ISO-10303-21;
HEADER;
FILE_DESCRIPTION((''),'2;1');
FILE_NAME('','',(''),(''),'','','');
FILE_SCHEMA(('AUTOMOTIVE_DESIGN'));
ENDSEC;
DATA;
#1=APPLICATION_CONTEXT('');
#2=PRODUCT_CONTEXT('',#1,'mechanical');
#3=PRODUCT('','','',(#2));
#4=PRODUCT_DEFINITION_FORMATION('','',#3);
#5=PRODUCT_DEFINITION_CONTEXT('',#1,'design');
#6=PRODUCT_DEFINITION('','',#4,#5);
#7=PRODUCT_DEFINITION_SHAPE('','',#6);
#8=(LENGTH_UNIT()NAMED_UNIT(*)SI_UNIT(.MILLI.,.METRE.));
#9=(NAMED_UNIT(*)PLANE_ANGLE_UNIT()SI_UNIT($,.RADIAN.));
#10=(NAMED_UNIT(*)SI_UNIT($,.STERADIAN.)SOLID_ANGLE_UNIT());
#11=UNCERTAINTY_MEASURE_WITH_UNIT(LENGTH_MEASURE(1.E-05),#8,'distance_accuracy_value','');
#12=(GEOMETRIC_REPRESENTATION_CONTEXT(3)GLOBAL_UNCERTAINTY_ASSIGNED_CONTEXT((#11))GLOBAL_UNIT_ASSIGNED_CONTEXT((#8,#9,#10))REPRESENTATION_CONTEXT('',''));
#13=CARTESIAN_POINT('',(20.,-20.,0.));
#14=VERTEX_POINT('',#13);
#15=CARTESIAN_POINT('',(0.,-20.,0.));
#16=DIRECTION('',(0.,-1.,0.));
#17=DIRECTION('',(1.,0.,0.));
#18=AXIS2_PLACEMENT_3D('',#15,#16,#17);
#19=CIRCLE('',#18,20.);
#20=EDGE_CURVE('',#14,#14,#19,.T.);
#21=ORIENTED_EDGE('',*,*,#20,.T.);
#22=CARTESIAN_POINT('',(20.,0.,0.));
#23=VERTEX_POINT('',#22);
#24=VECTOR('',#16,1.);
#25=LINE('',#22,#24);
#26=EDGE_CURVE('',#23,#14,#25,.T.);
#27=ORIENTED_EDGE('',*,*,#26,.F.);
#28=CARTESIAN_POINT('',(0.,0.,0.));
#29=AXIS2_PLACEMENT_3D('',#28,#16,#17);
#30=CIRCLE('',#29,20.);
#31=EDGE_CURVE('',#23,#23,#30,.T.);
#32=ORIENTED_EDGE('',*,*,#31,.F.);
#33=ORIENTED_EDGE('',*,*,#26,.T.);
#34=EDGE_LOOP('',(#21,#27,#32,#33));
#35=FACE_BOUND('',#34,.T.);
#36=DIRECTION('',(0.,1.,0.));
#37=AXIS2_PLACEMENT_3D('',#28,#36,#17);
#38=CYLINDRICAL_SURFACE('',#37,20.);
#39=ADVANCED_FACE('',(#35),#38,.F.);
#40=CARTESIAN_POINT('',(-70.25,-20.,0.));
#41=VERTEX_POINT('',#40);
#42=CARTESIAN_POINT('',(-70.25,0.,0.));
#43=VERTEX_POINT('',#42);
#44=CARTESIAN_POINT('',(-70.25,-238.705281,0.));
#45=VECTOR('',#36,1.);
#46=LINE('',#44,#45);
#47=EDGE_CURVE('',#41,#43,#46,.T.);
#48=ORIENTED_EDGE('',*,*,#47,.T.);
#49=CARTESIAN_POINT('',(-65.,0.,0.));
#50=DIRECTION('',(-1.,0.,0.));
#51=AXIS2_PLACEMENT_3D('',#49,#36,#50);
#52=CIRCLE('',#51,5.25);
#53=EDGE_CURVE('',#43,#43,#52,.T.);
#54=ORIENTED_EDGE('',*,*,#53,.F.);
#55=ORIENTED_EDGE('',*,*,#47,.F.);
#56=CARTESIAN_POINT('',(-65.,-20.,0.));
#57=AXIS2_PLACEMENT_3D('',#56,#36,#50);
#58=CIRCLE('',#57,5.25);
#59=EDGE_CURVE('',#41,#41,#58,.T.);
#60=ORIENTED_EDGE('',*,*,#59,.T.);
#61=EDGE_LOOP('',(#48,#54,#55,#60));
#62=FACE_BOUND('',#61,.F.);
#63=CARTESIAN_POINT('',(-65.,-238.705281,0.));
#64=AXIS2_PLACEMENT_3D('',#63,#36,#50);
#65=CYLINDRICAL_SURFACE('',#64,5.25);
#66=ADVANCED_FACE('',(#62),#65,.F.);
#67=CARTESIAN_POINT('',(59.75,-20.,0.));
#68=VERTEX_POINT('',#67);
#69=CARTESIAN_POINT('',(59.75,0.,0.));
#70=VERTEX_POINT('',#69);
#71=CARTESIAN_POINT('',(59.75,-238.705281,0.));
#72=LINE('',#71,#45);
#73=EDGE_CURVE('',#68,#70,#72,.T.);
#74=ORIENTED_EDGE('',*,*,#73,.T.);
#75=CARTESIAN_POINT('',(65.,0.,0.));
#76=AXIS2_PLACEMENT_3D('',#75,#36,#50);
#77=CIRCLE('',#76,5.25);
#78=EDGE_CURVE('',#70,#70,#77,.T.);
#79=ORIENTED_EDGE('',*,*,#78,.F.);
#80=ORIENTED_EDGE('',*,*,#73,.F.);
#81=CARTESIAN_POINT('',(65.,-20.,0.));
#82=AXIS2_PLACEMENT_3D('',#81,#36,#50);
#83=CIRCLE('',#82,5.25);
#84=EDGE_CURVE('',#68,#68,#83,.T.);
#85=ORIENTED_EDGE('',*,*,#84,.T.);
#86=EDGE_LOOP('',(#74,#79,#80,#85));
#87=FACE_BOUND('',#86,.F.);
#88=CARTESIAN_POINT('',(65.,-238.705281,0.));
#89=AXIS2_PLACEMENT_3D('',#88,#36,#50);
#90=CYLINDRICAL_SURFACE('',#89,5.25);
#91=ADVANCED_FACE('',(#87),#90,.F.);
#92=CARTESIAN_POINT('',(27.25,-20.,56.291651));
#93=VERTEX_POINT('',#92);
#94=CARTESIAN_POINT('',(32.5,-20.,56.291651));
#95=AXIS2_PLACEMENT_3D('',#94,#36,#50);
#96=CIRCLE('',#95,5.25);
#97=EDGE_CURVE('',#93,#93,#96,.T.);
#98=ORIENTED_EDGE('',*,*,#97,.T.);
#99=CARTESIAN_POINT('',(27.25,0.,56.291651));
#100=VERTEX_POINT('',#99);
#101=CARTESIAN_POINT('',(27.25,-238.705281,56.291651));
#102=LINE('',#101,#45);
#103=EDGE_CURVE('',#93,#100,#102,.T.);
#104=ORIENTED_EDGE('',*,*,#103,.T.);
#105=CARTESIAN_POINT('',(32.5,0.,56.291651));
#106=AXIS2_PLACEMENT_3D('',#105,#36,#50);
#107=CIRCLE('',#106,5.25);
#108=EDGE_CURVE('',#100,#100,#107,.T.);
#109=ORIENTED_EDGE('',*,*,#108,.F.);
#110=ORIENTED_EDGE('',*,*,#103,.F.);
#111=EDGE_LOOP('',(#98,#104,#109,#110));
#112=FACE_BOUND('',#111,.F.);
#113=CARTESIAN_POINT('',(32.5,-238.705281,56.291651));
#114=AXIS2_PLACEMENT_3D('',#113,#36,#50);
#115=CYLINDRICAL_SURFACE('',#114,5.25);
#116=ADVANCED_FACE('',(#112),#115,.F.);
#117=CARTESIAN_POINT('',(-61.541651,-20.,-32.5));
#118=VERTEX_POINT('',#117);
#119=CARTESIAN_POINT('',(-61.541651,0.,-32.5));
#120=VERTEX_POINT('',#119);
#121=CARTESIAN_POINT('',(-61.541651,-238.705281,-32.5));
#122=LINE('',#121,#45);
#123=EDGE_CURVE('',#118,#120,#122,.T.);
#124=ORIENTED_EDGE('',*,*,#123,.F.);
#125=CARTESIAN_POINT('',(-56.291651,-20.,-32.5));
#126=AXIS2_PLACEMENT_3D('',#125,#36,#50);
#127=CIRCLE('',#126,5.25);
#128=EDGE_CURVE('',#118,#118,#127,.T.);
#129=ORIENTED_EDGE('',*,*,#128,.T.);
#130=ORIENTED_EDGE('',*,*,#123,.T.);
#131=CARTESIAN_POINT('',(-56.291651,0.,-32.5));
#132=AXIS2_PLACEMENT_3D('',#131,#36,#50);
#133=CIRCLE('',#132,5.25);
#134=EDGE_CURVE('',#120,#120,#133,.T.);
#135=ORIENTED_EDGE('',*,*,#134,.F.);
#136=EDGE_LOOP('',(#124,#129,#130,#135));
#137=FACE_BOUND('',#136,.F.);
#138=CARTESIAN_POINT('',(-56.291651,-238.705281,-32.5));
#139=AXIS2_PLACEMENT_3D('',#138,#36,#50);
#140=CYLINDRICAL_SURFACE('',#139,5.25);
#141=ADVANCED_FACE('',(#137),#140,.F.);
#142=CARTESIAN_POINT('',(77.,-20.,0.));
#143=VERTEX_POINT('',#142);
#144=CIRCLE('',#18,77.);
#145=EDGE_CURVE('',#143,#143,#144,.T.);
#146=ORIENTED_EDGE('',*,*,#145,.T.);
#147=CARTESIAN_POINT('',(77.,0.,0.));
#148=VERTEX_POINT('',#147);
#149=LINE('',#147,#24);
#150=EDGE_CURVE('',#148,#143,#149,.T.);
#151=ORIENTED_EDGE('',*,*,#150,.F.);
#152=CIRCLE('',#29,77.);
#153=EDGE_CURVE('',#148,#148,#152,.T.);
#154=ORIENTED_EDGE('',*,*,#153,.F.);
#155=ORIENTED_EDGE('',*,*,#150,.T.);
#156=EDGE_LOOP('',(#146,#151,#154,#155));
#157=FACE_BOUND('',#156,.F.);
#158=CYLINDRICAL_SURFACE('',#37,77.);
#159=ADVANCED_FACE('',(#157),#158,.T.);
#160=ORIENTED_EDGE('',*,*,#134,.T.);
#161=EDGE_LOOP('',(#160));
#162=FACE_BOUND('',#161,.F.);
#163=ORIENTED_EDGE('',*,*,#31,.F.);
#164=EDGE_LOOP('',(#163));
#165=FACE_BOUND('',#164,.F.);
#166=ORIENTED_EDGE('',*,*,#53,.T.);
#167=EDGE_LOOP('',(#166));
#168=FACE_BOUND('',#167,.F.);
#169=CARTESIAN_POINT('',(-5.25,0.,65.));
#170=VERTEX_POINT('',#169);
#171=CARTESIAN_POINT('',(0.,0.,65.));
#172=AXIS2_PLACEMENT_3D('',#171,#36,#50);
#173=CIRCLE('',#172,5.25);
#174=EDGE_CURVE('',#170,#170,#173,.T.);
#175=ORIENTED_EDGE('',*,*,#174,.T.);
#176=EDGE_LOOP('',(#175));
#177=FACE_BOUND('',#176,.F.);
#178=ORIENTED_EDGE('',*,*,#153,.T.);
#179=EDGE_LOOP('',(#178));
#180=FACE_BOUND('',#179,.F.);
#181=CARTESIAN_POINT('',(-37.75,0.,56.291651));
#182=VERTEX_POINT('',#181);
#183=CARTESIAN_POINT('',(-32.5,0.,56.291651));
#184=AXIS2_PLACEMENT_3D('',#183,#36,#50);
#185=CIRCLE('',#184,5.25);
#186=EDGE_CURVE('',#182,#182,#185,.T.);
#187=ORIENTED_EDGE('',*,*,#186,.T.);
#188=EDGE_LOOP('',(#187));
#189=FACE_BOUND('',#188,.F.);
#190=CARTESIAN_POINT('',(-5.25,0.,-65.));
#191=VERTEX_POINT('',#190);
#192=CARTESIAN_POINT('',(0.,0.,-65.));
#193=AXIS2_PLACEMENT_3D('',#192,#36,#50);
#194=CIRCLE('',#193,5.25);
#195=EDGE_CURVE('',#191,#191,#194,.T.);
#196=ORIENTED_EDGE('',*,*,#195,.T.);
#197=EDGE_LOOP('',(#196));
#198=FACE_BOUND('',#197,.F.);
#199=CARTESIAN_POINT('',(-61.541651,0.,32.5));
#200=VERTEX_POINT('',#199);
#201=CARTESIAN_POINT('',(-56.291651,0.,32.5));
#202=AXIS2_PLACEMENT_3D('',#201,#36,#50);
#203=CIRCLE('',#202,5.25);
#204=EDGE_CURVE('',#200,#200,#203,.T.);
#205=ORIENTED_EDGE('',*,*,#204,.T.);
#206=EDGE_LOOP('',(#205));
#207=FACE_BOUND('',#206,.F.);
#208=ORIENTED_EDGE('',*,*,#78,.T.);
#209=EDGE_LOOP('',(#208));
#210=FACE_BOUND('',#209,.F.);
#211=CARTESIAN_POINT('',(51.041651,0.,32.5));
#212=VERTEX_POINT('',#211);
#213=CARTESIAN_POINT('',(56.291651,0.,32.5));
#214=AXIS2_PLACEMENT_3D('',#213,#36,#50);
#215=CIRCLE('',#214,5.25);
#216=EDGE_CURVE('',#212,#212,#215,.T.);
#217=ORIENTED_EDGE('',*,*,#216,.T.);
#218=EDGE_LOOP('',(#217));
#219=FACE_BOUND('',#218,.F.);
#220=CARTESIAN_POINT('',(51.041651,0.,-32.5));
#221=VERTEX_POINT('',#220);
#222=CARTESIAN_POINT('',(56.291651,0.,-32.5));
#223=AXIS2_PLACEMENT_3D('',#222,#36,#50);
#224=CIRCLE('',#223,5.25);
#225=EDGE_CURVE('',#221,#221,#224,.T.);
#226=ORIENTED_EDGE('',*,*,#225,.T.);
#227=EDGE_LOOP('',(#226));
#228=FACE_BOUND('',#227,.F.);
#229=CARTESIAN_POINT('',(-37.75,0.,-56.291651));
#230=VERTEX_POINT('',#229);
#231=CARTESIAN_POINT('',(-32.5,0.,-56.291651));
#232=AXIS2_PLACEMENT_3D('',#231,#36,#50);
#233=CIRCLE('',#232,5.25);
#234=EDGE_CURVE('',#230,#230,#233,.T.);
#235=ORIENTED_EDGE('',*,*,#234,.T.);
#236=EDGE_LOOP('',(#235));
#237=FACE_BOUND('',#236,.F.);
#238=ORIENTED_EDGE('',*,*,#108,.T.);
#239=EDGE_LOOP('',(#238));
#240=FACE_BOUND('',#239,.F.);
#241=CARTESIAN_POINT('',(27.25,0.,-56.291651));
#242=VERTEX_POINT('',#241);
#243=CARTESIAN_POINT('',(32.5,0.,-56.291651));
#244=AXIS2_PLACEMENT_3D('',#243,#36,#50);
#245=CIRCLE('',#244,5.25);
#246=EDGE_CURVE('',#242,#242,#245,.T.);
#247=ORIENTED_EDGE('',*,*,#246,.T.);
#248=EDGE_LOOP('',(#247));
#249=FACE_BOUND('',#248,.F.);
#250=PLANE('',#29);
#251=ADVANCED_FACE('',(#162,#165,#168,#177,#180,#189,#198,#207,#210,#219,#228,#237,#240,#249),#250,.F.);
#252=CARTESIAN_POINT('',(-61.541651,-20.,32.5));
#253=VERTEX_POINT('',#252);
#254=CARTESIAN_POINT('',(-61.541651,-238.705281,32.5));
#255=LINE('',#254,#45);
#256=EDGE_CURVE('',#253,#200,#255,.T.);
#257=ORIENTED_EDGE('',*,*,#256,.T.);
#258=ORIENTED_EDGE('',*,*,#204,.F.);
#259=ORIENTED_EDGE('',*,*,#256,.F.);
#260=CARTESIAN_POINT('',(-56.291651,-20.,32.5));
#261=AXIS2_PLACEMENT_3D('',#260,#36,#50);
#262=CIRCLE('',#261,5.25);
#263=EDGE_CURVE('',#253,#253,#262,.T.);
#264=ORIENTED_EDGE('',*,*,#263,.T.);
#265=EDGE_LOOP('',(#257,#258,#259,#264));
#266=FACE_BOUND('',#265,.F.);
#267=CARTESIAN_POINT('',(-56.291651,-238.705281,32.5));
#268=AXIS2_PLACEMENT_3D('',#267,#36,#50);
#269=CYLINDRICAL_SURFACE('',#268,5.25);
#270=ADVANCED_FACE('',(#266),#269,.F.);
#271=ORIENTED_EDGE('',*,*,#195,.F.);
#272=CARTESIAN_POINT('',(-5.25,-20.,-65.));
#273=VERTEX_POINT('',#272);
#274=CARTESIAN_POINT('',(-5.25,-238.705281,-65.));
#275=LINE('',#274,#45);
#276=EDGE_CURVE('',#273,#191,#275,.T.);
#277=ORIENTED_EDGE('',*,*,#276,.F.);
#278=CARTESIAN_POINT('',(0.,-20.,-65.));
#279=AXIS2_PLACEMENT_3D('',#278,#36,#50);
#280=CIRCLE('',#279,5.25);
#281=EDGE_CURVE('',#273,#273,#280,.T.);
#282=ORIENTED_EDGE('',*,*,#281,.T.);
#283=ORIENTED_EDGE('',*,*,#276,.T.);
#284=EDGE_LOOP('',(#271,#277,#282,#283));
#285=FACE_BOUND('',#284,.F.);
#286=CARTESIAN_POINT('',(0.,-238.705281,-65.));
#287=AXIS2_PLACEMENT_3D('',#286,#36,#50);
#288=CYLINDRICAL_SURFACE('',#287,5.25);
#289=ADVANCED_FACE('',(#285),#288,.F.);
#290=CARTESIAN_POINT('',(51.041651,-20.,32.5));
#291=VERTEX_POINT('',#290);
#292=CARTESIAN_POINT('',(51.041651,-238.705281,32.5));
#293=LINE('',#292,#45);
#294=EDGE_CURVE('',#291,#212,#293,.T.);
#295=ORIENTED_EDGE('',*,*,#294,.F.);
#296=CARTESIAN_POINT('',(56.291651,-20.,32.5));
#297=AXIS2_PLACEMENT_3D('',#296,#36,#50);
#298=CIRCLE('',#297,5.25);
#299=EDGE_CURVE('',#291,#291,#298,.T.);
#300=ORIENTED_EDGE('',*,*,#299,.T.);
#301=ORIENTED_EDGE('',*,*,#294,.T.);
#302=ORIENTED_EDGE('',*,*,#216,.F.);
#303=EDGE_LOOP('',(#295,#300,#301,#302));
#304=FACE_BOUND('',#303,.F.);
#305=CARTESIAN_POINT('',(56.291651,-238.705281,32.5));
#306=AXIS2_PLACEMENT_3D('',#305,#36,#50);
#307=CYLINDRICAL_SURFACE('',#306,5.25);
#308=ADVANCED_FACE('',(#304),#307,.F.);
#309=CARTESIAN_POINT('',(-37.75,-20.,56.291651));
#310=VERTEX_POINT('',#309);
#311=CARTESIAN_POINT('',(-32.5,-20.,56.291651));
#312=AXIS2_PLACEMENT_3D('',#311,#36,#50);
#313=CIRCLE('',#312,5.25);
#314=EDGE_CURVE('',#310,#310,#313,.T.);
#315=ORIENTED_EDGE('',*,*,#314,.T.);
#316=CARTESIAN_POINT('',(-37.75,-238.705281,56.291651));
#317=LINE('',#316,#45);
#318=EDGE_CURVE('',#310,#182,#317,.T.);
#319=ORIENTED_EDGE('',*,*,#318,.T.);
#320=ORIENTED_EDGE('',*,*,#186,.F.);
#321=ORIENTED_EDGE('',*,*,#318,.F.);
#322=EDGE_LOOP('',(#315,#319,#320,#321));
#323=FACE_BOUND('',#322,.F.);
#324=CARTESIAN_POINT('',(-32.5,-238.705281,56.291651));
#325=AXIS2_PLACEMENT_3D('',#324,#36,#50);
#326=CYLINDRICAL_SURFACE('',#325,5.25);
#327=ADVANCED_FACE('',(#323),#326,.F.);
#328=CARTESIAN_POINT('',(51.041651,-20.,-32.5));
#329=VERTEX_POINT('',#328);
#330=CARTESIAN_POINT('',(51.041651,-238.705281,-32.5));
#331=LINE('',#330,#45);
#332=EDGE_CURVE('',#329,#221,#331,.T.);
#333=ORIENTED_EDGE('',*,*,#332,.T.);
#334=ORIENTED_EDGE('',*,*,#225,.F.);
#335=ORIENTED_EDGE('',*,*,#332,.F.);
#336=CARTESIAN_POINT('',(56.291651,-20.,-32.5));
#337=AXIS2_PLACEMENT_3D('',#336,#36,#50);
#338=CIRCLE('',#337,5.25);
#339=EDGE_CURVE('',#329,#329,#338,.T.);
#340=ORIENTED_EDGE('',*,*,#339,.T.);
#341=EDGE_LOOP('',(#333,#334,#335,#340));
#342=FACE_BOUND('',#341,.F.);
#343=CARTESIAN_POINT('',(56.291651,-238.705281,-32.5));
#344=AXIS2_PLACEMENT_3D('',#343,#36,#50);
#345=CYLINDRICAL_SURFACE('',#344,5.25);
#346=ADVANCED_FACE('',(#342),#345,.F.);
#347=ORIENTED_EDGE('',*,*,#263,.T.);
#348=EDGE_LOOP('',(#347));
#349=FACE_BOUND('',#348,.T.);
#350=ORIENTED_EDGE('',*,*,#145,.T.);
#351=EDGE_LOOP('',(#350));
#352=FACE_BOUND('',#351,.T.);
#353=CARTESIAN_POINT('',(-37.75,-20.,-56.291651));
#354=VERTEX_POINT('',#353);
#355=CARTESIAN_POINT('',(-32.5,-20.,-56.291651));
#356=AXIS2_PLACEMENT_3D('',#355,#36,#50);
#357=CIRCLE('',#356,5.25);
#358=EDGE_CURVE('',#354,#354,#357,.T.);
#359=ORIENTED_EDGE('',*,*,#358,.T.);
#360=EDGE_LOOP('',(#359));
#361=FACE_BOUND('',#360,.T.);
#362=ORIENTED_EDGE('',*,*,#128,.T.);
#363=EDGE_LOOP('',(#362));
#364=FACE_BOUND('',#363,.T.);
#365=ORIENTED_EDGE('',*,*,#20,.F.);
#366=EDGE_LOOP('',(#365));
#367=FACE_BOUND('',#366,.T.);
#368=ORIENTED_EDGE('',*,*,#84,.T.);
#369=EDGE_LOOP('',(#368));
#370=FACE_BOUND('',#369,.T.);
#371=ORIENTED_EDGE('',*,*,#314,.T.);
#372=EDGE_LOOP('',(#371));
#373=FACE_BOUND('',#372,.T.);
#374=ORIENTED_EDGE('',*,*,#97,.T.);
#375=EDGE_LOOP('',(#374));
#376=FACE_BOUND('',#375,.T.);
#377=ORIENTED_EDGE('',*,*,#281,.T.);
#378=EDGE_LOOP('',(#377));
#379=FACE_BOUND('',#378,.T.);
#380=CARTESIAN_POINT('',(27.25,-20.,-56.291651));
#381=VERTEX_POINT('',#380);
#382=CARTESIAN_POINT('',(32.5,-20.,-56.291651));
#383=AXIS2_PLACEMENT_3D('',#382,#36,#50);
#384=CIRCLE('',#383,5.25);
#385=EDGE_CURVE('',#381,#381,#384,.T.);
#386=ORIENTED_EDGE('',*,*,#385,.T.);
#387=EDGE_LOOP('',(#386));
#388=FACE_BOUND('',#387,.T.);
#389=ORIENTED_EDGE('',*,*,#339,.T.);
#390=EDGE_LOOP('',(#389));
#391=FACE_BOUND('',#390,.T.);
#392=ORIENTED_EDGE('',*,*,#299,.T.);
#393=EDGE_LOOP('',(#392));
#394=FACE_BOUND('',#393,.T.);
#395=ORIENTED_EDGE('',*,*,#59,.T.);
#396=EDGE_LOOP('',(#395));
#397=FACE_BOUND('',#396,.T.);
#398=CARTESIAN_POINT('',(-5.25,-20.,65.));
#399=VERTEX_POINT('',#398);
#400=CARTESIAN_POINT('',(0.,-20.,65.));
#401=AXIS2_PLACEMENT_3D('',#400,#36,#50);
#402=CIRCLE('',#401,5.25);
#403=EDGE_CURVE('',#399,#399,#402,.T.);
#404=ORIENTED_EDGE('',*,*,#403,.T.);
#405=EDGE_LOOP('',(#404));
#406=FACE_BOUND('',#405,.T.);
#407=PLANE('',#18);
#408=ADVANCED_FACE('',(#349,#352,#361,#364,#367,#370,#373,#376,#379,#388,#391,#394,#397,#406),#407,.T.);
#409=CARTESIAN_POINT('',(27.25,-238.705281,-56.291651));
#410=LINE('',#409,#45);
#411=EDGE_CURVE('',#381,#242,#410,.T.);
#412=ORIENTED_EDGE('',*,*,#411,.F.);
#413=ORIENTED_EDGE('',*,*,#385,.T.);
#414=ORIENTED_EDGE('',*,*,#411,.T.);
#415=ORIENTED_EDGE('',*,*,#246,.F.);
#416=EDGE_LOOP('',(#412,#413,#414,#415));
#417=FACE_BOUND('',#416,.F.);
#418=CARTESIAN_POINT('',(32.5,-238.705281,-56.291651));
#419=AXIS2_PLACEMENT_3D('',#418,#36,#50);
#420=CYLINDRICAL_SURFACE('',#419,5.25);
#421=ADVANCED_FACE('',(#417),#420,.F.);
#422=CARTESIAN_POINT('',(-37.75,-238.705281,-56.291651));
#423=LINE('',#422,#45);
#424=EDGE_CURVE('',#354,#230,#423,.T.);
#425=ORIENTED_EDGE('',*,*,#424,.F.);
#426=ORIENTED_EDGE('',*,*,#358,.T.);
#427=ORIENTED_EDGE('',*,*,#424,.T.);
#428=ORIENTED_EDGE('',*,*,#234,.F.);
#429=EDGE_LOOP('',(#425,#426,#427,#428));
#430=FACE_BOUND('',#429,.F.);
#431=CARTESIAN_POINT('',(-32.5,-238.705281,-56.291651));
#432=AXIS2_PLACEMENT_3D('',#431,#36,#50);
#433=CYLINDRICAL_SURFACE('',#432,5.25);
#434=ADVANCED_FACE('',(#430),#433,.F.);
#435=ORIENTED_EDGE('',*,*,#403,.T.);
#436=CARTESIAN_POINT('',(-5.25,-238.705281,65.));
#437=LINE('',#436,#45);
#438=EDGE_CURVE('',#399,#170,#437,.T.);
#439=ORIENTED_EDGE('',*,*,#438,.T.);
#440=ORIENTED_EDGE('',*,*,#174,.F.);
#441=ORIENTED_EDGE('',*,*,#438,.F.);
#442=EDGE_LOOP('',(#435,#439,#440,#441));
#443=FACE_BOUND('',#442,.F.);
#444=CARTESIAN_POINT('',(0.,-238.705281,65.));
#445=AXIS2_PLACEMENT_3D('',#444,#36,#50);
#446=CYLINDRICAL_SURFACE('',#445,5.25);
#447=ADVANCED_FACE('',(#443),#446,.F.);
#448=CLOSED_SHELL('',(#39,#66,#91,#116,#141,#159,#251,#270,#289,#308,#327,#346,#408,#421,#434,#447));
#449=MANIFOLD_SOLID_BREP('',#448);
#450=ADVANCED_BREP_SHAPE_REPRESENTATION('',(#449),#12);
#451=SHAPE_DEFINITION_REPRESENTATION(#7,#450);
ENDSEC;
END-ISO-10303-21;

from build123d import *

# Parameters (mm, degrees)
F0_R     = 77
F0_R_2   = 20
F1_DEPTH = 20
F3_D     = 10.5


with BuildPart() as f1:
    # F0 (on Front) → F1 (new body)
    with BuildSketch(Plane.XZ):
        Circle(F0_R)
        Circle(F0_R_2, mode=Mode.SUBTRACT)
    extrude(amount=F1_DEPTH)

    # F3 (through all)
    with Locations(Plane.XZ.offset(20)):
        with Locations((56.291651, -32.5), (65, 0), (56.291651, 32.5), (32.5, 56.291651), (0, 65), (-32.5, 56.291651), (-56.291651, 32.5), (-65, 0), (-56.291651, -32.5), (-32.5, -56.291651), (0, -65), (32.5, -56.291651)):
            Hole(F3_D / 2)


solid = f1.part
